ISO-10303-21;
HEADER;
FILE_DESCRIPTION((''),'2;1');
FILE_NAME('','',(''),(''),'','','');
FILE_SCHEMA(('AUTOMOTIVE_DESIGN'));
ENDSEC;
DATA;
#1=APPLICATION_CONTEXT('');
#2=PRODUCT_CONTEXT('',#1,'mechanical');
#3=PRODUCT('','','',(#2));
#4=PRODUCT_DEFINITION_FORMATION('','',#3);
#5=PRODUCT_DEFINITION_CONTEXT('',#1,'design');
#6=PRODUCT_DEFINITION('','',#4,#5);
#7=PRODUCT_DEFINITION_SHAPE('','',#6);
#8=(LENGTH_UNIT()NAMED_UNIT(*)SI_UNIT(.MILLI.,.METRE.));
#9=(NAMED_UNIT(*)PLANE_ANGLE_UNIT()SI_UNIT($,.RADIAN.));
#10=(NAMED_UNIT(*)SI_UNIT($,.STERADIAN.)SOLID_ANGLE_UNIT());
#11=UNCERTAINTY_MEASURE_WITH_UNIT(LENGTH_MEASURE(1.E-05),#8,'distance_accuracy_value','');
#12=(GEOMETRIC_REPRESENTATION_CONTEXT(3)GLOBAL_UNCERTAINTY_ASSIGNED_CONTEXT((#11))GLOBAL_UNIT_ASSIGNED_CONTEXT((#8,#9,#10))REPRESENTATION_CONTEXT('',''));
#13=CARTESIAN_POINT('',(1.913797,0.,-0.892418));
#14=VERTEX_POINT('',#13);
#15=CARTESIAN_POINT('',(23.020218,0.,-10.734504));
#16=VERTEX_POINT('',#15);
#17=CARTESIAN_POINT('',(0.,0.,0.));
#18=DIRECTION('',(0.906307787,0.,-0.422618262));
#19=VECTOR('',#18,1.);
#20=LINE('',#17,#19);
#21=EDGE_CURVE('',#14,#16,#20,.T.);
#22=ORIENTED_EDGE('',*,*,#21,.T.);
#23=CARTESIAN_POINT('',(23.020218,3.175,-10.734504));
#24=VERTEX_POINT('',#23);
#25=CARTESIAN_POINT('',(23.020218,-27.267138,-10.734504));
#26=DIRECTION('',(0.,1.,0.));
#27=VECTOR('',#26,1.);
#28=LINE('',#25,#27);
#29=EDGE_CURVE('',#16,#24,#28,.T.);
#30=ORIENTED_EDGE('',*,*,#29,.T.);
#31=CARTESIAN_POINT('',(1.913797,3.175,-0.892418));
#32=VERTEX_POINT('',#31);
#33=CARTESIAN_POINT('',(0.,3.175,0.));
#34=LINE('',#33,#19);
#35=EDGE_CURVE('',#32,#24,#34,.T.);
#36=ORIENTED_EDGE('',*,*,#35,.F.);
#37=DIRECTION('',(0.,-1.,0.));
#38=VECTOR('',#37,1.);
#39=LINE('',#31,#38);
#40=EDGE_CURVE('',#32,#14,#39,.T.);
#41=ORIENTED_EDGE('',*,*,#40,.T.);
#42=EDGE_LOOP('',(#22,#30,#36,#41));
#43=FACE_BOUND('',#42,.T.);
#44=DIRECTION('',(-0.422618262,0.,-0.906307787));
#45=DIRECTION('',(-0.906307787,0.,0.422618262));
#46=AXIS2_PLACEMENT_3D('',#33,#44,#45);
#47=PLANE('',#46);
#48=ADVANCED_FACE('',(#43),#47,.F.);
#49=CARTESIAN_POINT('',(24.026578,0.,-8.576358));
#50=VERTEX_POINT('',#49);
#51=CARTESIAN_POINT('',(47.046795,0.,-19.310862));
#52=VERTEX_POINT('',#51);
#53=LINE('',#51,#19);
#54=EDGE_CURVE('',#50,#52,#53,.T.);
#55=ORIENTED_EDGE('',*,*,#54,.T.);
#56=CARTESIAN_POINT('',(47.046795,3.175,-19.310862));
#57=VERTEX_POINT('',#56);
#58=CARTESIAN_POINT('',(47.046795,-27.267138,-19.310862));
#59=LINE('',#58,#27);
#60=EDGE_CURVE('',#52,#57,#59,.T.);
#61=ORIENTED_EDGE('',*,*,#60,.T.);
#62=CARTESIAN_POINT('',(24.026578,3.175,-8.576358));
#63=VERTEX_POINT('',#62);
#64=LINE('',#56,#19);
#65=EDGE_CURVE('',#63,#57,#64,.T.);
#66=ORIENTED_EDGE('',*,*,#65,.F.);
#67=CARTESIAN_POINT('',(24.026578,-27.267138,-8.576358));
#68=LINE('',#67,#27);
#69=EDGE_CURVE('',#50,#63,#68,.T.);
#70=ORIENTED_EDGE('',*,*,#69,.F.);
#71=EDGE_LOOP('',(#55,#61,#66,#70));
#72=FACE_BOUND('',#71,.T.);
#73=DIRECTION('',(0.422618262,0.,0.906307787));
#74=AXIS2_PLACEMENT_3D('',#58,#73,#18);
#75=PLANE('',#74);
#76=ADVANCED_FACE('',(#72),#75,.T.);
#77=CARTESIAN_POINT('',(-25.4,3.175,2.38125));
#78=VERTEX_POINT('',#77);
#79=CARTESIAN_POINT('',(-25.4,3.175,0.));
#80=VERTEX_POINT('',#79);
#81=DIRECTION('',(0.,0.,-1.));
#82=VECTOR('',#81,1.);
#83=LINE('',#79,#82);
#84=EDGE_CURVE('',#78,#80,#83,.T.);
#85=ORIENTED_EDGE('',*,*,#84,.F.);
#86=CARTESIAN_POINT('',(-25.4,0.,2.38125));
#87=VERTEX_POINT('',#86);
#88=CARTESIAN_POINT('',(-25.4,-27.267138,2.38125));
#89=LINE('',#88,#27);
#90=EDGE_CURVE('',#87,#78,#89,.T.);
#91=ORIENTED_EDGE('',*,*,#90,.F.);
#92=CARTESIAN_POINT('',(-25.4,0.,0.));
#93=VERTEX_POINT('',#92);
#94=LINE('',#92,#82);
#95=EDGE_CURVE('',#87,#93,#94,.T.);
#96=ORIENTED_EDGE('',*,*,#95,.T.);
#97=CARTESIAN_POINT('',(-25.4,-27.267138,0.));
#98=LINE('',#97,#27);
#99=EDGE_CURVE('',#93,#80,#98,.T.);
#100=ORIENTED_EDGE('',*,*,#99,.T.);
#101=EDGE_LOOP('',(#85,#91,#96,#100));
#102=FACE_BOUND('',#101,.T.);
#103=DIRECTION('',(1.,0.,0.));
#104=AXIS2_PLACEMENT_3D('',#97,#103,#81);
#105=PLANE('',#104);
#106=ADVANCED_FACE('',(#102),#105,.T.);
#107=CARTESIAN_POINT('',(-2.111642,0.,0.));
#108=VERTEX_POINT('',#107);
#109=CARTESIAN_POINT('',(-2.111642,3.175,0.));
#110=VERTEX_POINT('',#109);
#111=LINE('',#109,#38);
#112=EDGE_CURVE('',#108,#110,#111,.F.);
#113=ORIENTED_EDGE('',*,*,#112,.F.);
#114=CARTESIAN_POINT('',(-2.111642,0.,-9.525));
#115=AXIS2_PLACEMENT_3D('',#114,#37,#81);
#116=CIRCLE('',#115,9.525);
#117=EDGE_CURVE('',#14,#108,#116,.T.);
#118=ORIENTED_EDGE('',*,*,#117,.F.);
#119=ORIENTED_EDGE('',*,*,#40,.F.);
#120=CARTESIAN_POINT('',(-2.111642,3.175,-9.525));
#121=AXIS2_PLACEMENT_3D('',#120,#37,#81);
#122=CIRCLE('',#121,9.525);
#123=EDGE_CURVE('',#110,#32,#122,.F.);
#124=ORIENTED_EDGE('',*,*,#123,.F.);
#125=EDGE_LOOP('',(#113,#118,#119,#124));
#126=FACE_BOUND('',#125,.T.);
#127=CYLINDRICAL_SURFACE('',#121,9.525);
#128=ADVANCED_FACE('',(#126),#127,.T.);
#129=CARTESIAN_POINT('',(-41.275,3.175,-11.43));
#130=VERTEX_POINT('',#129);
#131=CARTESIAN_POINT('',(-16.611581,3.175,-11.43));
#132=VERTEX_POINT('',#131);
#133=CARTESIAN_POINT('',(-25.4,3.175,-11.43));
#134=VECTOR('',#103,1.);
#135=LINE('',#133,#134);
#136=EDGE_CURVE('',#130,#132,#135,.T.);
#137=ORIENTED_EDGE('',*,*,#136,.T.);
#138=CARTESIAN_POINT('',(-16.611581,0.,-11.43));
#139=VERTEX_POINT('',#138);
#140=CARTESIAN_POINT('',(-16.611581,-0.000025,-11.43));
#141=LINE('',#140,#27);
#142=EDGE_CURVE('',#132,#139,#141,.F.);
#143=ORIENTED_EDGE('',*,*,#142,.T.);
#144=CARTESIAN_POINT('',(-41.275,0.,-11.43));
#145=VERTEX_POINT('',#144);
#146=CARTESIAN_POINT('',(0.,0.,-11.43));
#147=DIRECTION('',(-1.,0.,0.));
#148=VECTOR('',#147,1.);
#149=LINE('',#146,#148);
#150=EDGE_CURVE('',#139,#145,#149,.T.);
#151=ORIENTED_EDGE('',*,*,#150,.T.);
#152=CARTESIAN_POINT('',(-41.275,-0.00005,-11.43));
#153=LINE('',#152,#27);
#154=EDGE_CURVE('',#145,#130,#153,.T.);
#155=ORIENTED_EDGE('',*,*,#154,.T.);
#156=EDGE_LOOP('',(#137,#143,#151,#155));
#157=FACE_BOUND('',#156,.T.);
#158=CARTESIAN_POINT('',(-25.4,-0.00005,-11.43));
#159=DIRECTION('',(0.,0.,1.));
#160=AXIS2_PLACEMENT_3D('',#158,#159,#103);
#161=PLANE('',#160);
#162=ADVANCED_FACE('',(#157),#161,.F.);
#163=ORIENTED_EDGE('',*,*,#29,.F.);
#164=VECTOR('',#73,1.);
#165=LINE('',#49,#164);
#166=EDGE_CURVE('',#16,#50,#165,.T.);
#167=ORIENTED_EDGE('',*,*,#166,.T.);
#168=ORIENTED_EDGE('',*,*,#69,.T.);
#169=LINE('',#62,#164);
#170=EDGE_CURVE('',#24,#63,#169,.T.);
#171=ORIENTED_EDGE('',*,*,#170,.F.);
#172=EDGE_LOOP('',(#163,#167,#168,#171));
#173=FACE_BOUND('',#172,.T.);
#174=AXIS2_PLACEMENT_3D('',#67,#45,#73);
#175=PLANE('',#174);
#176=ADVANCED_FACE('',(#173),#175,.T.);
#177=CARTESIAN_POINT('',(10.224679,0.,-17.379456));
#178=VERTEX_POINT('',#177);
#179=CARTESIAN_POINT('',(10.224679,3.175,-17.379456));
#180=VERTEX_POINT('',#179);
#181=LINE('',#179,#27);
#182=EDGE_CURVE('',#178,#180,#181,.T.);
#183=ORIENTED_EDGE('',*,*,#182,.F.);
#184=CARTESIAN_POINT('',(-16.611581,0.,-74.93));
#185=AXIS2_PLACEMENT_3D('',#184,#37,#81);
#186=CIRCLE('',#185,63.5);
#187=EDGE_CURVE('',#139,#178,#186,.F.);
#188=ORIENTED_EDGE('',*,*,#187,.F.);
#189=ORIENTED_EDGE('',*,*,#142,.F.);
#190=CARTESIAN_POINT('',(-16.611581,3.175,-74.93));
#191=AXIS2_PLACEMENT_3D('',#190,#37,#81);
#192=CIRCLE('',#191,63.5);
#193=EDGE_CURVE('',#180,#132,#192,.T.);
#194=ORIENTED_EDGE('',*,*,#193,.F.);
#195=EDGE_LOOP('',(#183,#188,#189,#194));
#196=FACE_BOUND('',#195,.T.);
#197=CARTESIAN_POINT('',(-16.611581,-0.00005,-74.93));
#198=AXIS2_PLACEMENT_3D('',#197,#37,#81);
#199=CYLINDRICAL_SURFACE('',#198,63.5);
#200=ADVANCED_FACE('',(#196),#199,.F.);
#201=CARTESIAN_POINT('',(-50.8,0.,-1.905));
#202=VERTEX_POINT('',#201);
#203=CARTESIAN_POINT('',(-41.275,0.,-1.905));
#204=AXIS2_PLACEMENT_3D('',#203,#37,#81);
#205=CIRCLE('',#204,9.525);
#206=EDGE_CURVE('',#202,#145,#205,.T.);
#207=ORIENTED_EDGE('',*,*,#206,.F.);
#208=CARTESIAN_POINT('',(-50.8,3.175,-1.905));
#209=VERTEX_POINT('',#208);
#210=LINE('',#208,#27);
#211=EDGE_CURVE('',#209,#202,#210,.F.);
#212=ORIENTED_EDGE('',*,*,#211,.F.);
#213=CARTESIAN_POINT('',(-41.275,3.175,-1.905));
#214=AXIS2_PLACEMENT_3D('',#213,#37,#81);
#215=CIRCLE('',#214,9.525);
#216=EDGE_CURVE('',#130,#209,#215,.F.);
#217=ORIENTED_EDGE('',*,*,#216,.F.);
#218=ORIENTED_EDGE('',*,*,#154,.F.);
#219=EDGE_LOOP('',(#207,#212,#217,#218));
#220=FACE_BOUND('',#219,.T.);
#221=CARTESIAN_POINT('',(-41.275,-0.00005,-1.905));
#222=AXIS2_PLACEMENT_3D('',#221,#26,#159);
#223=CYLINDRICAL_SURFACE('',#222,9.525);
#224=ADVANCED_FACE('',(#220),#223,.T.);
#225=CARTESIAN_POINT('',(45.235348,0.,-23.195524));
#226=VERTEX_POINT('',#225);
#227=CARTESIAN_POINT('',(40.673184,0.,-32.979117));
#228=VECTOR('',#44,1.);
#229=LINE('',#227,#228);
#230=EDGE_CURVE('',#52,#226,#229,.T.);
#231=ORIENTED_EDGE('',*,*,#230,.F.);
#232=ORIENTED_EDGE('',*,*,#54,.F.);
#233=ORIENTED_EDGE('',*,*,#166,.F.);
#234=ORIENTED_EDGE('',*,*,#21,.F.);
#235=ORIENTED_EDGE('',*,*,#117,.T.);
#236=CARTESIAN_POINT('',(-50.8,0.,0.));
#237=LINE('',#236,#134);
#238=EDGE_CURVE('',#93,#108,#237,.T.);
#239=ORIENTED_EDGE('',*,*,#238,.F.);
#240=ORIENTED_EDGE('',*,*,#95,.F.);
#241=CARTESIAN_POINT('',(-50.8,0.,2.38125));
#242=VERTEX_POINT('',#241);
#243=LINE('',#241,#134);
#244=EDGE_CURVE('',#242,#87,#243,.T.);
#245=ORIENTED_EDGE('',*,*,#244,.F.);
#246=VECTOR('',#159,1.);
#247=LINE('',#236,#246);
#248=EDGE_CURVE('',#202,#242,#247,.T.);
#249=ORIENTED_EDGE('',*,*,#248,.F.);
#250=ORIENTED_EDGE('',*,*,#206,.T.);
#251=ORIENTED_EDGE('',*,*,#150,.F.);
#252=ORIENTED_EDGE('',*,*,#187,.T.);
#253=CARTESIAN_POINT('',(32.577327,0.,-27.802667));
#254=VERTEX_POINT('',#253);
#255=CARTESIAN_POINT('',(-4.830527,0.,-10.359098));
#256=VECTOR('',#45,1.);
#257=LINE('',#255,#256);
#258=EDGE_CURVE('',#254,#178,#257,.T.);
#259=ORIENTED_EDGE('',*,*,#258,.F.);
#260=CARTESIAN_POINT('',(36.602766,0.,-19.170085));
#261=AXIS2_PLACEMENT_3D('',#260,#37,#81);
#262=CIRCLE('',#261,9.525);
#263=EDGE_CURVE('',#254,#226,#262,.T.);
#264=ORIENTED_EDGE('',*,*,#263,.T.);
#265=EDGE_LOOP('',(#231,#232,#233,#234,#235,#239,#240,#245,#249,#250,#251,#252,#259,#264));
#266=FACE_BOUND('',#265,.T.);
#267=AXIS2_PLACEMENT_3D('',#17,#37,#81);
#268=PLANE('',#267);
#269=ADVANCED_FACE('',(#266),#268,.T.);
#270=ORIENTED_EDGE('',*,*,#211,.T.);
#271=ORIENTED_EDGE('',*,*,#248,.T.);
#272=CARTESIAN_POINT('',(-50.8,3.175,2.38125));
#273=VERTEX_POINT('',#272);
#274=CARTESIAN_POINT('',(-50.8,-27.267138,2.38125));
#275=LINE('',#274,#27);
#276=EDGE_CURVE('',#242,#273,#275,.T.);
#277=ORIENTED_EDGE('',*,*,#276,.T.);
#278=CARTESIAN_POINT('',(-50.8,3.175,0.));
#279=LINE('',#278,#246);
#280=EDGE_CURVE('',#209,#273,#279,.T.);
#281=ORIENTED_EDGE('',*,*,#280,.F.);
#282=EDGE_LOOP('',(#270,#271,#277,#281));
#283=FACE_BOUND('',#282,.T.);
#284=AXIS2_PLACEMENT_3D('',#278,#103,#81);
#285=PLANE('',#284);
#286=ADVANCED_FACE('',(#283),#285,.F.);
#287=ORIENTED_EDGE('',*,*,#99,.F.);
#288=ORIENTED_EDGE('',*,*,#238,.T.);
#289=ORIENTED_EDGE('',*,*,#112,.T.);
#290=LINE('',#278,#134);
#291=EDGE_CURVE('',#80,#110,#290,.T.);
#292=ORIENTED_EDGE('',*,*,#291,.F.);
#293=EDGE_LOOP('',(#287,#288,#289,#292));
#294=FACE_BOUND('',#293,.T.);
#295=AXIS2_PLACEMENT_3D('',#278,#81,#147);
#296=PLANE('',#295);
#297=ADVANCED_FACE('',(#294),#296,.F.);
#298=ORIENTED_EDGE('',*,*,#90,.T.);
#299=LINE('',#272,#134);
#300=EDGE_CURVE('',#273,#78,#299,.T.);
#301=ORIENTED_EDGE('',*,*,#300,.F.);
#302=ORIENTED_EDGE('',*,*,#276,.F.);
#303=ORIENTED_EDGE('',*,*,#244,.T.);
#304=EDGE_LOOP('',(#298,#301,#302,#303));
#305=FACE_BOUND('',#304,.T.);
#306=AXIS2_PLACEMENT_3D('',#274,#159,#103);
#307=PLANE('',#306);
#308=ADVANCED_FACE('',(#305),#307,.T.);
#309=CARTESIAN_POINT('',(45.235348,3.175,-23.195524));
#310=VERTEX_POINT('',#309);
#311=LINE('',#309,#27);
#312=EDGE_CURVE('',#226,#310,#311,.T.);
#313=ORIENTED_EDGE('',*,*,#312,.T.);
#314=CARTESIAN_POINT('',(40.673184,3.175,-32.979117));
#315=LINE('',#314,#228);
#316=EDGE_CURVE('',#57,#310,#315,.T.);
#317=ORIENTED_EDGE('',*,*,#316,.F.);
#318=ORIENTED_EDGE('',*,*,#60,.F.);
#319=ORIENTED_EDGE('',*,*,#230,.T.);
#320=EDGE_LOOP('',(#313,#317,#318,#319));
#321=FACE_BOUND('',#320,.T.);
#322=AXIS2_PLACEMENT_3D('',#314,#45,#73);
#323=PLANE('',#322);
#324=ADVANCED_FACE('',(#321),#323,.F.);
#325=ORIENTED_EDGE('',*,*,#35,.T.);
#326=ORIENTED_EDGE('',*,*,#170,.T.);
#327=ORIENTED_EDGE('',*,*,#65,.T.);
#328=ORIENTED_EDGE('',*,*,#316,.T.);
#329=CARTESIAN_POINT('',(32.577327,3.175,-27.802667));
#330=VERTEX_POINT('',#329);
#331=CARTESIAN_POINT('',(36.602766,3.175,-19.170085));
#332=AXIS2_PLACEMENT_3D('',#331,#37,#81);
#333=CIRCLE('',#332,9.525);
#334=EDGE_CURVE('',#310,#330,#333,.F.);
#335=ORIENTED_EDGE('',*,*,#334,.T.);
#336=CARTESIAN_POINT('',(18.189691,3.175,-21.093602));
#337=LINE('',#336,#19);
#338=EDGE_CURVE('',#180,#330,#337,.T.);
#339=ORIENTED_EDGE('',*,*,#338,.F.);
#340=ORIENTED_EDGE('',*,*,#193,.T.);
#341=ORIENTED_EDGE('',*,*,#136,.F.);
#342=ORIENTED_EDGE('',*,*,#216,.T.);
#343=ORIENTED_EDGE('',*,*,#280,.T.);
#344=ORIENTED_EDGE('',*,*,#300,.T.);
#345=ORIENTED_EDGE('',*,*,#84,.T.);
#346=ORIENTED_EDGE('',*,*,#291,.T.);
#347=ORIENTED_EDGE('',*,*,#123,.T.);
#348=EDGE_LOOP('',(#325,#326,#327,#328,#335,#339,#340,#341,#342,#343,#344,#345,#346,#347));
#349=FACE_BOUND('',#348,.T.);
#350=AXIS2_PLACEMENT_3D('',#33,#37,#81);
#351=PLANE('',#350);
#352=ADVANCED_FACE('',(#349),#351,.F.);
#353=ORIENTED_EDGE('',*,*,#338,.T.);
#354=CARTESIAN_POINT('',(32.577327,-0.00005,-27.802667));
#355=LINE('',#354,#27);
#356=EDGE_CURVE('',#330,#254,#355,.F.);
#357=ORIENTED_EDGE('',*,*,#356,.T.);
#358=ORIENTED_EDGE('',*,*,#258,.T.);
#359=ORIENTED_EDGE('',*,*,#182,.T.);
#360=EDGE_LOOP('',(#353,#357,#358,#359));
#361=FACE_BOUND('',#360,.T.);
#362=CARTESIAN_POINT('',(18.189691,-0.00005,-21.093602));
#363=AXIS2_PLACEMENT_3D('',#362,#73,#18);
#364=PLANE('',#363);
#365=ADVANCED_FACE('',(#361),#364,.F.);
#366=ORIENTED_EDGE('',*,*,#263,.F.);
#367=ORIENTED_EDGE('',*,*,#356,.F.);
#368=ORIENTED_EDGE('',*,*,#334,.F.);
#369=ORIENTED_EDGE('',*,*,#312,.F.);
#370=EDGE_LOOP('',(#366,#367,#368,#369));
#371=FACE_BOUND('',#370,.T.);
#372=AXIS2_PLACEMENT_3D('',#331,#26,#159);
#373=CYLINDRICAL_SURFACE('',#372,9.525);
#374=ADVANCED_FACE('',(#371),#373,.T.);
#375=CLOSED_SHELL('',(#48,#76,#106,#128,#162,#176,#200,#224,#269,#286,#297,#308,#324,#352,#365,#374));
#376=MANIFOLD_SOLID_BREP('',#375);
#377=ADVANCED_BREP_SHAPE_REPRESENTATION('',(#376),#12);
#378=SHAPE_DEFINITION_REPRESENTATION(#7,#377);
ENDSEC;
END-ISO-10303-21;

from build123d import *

# Parameters (mm, degrees)
BOSS_EXTRUDE1_DEPTH = 3.175
SKETCH2_W           = 25.4
SKETCH2_H           = 2.38125
BOSS_EXTRUDE2_DEPTH = 3.175
CUT_EXTRUDE1_DEPTH  = 4.175
FILLET1_R           = 9.525
FILLET2_R           = 63.5


with BuildPart() as part:
    # Sketch1 → Boss-Extrude1 (new body)
    with BuildSketch(Plane(origin=(0, 0, 0), x_dir=(1, 0, 0), z_dir=(0, 1, 0))):
        Polygon((-50.8, 0), (0, 0), (46.040435581, 21.469007696), (40.673183657, 32.979116592), (-50.8, 12.7), align=None)
    extrude(amount=BOSS_EXTRUDE1_DEPTH)

    # Sketch2 → Boss-Extrude2 (add)
    with BuildSketch(Plane(origin=(0, 3.175, 0), x_dir=(1, 0, 0), z_dir=(0, 1, 0))):
        Polygon((23.020217791, 10.734503848), (46.040435581, 21.469007696), (47.046795317, 19.310862279), (24.026577527, 8.57635843), align=None)
        with Locations((-38.1, -1.190625)):
            Rectangle(SKETCH2_W, SKETCH2_H)
    extrude(amount=-BOSS_EXTRUDE2_DEPTH)

    # Sketch3 → Cut-Extrude1 (cut, through all)
    with BuildSketch(Plane(origin=(0, 3.175, 0), x_dir=(1, 0, 0), z_dir=(0, 1, 0))):
        Polygon((-25.4, 11.43), (-50.8, 11.43), (-50.8, 12.7), (40.673183657, 32.979116592), (41.20990885, 31.828105702), (18.189691059, 21.093601854), (-2.533969994, 11.43), align=None)
    extrude(amount=-CUT_EXTRUDE1_DEPTH, mode=Mode.SUBTRACT)

    # Fillet1
    fillet1_edges = [part.edges().sort_by_distance(p)[0] for p in [
        (0, 1.5875, 0),
        (41.20990885, 1.5875, -31.828105702),
        (-50.8, 1.5875, -11.43),
    ]]
    fillet(fillet1_edges, radius=FILLET1_R)

    # Fillet2
    fillet2_edges = [part.edges().sort_by_distance(p)[0] for p in [
        (-2.533969994, 1.5875, -11.43),
    ]]
    fillet(fillet2_edges, radius=FILLET2_R)


solid = part.part
